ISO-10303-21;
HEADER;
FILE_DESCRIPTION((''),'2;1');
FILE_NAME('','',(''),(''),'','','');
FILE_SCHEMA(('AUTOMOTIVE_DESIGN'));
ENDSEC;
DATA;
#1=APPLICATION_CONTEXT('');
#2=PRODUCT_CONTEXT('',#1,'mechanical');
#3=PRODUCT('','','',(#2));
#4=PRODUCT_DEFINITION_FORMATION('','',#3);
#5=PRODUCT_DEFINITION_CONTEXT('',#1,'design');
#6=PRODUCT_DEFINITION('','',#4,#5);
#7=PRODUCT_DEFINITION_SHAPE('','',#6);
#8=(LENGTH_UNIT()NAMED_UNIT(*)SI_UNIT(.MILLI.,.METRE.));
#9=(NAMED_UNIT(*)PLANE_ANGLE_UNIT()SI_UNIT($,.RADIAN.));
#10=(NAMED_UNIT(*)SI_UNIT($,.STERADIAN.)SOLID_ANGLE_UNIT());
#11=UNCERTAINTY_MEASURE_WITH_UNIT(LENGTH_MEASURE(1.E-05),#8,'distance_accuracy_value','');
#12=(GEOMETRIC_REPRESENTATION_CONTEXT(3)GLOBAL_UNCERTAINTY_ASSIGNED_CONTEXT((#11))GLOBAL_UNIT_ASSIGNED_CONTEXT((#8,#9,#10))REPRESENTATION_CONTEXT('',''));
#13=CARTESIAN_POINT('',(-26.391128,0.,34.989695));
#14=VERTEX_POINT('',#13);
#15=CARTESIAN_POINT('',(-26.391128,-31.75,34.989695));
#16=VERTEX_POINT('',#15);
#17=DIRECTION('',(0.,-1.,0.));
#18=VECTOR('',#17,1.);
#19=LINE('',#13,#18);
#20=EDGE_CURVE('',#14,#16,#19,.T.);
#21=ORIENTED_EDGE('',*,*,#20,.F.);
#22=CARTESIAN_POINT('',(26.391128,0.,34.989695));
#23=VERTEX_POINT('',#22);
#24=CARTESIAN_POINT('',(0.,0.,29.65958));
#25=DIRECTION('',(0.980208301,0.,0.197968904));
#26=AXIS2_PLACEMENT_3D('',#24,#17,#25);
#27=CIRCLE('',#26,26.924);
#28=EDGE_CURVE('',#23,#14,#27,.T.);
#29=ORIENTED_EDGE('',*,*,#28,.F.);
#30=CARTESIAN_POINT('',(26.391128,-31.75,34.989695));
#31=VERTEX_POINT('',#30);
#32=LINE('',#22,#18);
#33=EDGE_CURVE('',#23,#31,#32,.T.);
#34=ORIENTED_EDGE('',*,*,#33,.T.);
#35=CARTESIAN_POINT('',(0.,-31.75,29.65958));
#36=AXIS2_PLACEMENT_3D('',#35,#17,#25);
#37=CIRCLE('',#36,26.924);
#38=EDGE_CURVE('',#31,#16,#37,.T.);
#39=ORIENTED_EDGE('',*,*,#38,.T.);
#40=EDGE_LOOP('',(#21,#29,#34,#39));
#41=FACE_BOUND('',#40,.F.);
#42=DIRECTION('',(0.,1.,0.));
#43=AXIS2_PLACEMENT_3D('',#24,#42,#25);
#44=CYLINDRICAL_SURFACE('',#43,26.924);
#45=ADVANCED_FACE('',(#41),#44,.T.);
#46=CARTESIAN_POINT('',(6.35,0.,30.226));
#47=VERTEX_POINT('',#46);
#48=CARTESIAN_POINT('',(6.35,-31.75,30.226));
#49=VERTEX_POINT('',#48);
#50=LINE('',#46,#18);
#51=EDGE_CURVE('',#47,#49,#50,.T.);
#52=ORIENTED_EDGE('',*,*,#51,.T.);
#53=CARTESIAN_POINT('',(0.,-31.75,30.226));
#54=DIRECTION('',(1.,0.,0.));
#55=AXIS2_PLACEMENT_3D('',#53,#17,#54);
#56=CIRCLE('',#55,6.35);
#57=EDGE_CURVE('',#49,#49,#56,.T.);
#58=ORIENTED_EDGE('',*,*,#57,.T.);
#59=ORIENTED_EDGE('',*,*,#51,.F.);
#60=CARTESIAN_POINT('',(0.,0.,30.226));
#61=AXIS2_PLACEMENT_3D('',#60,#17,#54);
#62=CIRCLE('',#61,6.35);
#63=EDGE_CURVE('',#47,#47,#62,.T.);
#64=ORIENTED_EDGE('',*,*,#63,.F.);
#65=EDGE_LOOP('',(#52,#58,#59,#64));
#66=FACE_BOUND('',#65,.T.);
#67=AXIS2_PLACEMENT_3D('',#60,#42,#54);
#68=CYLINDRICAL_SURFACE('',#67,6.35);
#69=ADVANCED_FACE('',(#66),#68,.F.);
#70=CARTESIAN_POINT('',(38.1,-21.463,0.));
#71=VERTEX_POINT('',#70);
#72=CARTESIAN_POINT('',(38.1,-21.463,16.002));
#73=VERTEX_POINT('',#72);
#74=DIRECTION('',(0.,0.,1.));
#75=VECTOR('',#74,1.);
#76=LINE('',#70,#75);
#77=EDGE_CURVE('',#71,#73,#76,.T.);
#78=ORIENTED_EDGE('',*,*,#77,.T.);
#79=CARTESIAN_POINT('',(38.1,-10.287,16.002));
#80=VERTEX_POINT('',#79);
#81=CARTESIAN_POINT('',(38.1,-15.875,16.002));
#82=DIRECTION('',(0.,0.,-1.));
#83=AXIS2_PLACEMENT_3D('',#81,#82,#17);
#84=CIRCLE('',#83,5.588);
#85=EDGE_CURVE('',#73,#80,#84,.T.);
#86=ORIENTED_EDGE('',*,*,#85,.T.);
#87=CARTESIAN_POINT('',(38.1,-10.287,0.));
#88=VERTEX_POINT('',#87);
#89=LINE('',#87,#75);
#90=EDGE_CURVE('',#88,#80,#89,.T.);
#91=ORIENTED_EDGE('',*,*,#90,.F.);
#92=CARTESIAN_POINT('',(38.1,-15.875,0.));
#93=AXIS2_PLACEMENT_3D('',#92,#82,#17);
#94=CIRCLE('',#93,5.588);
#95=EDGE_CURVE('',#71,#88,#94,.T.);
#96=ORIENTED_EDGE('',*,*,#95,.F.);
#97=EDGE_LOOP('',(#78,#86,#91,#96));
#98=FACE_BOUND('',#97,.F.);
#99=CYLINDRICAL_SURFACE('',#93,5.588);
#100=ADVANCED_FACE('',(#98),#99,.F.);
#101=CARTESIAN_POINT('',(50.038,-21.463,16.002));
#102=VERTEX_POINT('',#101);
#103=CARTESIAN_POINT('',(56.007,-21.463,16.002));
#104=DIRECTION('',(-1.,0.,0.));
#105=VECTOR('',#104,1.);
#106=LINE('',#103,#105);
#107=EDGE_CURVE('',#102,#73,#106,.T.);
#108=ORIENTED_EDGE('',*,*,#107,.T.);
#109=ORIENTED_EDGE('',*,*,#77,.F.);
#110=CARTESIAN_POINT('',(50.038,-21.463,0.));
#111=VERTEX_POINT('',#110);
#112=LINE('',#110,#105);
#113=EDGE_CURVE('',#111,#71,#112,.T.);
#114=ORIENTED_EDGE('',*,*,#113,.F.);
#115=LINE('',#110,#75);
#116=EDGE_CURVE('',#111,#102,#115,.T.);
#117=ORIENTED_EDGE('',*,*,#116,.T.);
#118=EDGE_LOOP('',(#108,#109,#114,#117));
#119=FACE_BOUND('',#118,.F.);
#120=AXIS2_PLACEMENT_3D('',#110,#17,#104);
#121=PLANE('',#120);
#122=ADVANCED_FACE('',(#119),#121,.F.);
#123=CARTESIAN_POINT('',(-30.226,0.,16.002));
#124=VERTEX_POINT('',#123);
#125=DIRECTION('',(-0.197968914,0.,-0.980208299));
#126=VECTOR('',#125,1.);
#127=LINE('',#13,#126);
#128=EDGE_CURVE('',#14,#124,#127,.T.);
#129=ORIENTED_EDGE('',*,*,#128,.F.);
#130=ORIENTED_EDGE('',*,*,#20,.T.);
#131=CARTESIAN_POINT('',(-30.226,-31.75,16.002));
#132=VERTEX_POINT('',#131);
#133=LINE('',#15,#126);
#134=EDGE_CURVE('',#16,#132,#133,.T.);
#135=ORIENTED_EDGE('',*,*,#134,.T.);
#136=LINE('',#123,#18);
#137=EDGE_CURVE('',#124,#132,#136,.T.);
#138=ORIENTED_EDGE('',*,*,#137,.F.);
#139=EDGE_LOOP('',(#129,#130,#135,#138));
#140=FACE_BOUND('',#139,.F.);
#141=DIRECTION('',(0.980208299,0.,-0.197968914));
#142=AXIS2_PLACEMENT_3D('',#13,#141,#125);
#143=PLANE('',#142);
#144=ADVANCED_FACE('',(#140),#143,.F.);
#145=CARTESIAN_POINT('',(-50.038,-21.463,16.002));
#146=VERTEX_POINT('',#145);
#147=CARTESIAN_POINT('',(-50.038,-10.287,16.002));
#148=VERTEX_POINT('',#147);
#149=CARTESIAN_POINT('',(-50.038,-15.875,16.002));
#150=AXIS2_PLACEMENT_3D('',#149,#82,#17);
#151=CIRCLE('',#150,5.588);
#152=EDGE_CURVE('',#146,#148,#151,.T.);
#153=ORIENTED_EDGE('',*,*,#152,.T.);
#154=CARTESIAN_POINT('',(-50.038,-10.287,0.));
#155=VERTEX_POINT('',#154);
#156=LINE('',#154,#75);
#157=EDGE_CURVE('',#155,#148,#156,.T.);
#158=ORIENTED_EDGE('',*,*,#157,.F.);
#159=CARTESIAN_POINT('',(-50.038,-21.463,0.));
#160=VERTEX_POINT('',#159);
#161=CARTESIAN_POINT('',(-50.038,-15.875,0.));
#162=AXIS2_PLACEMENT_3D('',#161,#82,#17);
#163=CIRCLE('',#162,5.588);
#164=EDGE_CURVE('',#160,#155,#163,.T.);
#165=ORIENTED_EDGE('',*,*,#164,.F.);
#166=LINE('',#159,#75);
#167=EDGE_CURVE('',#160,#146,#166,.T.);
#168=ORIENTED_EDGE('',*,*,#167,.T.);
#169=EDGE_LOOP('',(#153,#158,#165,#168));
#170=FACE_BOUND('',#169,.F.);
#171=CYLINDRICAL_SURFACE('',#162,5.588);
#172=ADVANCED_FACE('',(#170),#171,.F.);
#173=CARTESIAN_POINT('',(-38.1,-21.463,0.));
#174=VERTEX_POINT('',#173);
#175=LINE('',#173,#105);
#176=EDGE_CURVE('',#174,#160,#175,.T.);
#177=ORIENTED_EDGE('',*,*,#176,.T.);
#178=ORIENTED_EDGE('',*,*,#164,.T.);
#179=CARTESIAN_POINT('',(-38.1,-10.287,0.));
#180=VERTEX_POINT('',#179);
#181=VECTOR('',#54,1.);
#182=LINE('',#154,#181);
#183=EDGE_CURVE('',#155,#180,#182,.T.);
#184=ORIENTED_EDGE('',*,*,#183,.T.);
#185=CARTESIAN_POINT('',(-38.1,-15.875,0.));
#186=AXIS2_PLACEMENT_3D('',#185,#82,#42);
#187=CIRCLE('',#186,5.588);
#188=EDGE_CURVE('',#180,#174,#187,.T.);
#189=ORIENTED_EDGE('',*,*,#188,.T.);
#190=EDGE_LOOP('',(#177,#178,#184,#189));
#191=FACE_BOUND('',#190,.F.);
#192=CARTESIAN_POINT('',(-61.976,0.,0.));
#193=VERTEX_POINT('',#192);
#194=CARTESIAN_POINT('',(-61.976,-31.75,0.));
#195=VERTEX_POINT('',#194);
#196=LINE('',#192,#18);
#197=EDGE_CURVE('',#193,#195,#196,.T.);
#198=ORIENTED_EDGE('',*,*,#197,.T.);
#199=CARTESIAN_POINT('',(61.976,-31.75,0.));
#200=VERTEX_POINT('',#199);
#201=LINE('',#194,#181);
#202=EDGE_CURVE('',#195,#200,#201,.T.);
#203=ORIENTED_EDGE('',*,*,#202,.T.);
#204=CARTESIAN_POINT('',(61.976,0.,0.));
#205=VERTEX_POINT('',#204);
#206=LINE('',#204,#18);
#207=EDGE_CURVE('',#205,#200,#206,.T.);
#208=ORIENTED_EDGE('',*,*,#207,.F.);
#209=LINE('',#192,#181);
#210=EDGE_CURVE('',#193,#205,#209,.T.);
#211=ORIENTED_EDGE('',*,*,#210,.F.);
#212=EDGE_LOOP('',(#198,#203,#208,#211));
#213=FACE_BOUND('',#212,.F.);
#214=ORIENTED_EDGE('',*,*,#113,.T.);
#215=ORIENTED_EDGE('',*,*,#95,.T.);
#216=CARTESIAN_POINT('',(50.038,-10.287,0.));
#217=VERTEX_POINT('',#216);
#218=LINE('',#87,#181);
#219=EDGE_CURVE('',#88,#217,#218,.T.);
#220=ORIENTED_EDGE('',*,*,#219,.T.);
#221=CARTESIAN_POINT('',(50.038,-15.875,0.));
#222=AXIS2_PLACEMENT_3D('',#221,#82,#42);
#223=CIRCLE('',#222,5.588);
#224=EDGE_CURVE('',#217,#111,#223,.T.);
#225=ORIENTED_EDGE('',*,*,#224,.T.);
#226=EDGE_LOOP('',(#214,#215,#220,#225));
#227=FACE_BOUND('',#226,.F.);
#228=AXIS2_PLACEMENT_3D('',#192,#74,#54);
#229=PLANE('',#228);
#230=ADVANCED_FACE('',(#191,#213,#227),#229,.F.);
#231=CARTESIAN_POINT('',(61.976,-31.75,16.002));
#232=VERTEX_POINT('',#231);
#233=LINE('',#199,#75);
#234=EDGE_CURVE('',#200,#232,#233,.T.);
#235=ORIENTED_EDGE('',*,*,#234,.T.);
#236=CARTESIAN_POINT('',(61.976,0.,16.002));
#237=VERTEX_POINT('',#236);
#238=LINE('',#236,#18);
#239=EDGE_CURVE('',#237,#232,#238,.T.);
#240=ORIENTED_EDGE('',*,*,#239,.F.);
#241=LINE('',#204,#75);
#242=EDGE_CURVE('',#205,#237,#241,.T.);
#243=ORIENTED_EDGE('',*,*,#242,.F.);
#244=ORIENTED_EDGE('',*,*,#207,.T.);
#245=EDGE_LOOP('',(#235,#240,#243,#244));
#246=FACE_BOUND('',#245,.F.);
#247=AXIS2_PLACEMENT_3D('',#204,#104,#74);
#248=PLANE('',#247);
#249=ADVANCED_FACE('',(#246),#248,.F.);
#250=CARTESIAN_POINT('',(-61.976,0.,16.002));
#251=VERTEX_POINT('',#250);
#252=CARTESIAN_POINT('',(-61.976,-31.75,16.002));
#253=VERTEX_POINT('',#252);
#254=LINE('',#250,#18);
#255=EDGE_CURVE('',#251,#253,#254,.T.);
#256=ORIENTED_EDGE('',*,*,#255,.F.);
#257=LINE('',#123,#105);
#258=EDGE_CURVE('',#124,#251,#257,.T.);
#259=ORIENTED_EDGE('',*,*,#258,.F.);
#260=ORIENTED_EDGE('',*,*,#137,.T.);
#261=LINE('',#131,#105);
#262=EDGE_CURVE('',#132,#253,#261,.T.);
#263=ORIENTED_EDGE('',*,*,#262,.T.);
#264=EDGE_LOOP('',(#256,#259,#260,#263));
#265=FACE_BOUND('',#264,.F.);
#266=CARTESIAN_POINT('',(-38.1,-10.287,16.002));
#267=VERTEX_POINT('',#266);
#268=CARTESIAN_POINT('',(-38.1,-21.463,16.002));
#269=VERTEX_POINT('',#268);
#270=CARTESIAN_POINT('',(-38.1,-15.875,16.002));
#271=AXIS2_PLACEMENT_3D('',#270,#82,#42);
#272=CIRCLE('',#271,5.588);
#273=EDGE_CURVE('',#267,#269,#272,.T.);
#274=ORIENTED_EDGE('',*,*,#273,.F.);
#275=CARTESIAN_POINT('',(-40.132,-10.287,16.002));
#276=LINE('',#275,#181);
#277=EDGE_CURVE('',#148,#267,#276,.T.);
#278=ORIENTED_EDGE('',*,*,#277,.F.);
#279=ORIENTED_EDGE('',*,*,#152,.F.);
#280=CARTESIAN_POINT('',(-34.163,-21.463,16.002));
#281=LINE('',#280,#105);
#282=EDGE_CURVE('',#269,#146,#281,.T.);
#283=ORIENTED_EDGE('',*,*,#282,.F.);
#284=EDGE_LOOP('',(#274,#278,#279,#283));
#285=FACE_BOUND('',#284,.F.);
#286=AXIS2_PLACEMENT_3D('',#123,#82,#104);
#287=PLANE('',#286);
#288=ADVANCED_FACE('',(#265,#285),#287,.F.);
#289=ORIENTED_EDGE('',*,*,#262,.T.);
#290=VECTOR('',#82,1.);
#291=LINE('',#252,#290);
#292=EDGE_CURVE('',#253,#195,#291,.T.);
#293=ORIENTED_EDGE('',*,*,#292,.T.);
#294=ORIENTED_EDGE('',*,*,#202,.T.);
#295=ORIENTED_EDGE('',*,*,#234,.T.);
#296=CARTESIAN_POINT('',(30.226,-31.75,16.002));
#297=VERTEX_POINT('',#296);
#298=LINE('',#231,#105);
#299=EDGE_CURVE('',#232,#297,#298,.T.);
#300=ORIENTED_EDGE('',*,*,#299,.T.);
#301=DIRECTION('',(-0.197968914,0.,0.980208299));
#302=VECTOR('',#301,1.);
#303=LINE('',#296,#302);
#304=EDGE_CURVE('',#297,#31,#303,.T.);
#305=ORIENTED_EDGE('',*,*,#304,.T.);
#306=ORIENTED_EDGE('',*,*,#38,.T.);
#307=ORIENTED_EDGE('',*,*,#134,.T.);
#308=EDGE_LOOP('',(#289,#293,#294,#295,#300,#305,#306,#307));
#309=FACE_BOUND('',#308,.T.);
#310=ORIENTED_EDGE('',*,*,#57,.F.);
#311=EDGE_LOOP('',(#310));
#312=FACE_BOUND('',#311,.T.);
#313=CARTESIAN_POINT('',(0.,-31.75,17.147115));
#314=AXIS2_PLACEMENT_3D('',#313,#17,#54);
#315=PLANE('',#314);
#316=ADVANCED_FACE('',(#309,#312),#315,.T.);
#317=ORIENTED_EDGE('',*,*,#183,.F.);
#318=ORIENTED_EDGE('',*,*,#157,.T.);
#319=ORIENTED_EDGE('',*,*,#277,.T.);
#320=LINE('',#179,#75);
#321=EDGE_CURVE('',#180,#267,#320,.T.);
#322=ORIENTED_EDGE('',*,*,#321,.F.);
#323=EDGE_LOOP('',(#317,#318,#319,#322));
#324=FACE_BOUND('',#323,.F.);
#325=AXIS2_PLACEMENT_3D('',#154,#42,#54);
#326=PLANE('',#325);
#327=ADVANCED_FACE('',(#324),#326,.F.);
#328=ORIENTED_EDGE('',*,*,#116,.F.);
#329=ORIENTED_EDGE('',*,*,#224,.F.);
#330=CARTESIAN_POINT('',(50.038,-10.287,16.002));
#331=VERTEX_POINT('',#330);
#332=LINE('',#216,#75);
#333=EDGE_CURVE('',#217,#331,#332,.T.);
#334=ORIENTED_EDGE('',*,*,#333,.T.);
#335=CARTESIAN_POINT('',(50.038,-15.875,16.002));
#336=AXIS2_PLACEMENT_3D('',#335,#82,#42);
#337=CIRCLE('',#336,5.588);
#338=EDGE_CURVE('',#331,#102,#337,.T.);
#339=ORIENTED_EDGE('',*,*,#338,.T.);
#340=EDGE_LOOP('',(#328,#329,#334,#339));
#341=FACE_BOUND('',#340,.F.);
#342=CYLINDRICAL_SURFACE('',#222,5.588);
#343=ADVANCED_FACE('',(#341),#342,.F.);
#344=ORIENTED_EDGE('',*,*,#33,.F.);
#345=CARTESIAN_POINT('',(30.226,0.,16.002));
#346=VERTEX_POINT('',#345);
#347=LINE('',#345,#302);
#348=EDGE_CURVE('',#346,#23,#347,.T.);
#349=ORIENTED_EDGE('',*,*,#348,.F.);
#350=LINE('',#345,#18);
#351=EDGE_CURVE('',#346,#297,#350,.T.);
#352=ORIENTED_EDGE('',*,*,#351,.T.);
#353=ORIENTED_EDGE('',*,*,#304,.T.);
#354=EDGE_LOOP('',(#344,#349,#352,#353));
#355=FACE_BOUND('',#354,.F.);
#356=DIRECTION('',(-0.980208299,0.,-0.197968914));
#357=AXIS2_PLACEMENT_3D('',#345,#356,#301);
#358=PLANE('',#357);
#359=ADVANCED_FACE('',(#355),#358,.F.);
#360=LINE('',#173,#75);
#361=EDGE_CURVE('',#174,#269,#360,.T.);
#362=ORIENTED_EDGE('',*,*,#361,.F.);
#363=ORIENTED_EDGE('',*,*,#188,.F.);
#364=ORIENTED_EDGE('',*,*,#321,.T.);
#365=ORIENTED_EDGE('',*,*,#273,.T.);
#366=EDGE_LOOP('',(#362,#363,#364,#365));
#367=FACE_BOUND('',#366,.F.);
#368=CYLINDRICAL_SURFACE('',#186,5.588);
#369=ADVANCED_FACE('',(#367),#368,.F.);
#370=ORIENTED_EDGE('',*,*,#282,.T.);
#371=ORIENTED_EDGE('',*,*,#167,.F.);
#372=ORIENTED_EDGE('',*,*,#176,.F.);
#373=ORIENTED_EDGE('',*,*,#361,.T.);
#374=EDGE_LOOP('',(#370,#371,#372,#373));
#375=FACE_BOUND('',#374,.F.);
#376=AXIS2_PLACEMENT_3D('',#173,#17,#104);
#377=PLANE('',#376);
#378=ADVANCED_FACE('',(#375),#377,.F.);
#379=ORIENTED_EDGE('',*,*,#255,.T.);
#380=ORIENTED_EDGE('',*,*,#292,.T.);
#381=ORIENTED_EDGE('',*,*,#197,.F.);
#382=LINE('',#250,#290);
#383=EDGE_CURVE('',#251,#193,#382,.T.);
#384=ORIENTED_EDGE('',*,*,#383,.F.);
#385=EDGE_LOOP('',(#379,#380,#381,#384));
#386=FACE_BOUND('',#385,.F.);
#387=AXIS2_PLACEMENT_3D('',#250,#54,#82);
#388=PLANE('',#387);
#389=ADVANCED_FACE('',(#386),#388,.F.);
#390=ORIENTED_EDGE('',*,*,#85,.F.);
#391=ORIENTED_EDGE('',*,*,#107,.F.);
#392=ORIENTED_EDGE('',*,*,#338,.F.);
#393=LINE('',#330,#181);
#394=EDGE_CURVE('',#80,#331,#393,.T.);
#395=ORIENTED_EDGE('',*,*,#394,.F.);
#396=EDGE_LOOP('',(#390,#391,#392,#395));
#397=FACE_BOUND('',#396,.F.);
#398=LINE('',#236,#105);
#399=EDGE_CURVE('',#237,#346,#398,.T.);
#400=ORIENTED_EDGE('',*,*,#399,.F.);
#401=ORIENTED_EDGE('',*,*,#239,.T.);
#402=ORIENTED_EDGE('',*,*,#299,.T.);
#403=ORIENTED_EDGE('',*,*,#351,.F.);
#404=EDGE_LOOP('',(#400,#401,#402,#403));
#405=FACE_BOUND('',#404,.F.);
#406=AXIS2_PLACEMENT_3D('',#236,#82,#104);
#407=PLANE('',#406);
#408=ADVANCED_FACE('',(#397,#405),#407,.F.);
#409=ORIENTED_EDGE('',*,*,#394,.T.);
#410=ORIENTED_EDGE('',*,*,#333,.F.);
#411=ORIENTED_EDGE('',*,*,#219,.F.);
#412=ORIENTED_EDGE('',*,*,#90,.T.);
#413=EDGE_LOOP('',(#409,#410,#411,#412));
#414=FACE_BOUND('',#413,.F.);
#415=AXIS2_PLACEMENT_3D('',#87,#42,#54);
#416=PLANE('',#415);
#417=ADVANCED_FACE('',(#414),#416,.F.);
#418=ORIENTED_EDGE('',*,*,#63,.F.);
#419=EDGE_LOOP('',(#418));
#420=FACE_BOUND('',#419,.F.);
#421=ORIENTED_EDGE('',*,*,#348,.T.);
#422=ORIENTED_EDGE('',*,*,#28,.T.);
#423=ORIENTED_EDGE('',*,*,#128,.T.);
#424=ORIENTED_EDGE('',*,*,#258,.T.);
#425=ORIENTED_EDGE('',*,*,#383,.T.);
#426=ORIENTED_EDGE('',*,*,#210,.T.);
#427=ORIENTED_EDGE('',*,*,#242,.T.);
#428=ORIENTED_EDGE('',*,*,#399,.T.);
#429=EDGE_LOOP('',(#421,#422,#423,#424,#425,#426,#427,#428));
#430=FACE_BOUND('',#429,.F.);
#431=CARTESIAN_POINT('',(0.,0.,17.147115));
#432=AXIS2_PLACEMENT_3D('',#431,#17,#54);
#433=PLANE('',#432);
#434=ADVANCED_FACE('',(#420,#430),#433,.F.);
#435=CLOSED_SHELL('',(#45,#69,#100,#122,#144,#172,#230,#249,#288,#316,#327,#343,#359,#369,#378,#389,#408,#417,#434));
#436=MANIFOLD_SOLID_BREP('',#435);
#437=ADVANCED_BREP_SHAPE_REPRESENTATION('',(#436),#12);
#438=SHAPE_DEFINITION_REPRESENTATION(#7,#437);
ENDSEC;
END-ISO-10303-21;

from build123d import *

# Parameters (mm, degrees)
F0_R     = 6.35
F1_DEPTH = 31.75
F3_DEPTH = 127


with BuildPart() as f1:
    # F0 (on Front) → F1 (new body)
    with BuildSketch(Plane.XZ):
        with BuildLine():
            Line((-61.976, 16.002), (-61.976, 0))
            Line((-61.976, 0), (61.976, 0))
            Line((61.976, 0), (61.976, 16.002))
            Line((61.976, 16.002), (30.226, 16.002))
            Line((30.226, 16.002), (26.391128, 34.989695))
            ThreePointArc((26.391128, 34.989695), (0, 56.58358), (-26.391128, 34.989695))
            Line((-26.391128, 34.989695), (-30.226, 16.002))
            Line((-30.226, 16.002), (-61.976, 16.002))
        make_face()
        with Locations((0, 30.226)):
            Circle(F0_R, mode=Mode.SUBTRACT)
    extrude(amount=F1_DEPTH)

    # F2 (on face) → F3 (cut)
    with BuildSketch(Plane(origin=(0, 0, 0), x_dir=(1, 0, 0), z_dir=(0, 0, -1))):
        with BuildLine():
            Line((-38.1, 21.463), (-50.038, 21.463))
            ThreePointArc((-50.038, 21.463), (-55.626, 15.875), (-50.038, 10.287))
            Line((-50.038, 10.287), (-38.1, 10.287))
            ThreePointArc((-38.1, 10.287), (-32.512, 15.875), (-38.1, 21.463))
        make_face()
        with BuildLine():
            Line((50.038, 21.463), (38.1, 21.463))
            ThreePointArc((38.1, 21.463), (32.512, 15.875), (38.1, 10.287))
            Line((38.1, 10.287), (50.038, 10.287))
            ThreePointArc((50.038, 10.287), (55.626, 15.875), (50.038, 21.463))
        make_face()
    extrude(amount=-F3_DEPTH, mode=Mode.SUBTRACT)


solid = f1.part
